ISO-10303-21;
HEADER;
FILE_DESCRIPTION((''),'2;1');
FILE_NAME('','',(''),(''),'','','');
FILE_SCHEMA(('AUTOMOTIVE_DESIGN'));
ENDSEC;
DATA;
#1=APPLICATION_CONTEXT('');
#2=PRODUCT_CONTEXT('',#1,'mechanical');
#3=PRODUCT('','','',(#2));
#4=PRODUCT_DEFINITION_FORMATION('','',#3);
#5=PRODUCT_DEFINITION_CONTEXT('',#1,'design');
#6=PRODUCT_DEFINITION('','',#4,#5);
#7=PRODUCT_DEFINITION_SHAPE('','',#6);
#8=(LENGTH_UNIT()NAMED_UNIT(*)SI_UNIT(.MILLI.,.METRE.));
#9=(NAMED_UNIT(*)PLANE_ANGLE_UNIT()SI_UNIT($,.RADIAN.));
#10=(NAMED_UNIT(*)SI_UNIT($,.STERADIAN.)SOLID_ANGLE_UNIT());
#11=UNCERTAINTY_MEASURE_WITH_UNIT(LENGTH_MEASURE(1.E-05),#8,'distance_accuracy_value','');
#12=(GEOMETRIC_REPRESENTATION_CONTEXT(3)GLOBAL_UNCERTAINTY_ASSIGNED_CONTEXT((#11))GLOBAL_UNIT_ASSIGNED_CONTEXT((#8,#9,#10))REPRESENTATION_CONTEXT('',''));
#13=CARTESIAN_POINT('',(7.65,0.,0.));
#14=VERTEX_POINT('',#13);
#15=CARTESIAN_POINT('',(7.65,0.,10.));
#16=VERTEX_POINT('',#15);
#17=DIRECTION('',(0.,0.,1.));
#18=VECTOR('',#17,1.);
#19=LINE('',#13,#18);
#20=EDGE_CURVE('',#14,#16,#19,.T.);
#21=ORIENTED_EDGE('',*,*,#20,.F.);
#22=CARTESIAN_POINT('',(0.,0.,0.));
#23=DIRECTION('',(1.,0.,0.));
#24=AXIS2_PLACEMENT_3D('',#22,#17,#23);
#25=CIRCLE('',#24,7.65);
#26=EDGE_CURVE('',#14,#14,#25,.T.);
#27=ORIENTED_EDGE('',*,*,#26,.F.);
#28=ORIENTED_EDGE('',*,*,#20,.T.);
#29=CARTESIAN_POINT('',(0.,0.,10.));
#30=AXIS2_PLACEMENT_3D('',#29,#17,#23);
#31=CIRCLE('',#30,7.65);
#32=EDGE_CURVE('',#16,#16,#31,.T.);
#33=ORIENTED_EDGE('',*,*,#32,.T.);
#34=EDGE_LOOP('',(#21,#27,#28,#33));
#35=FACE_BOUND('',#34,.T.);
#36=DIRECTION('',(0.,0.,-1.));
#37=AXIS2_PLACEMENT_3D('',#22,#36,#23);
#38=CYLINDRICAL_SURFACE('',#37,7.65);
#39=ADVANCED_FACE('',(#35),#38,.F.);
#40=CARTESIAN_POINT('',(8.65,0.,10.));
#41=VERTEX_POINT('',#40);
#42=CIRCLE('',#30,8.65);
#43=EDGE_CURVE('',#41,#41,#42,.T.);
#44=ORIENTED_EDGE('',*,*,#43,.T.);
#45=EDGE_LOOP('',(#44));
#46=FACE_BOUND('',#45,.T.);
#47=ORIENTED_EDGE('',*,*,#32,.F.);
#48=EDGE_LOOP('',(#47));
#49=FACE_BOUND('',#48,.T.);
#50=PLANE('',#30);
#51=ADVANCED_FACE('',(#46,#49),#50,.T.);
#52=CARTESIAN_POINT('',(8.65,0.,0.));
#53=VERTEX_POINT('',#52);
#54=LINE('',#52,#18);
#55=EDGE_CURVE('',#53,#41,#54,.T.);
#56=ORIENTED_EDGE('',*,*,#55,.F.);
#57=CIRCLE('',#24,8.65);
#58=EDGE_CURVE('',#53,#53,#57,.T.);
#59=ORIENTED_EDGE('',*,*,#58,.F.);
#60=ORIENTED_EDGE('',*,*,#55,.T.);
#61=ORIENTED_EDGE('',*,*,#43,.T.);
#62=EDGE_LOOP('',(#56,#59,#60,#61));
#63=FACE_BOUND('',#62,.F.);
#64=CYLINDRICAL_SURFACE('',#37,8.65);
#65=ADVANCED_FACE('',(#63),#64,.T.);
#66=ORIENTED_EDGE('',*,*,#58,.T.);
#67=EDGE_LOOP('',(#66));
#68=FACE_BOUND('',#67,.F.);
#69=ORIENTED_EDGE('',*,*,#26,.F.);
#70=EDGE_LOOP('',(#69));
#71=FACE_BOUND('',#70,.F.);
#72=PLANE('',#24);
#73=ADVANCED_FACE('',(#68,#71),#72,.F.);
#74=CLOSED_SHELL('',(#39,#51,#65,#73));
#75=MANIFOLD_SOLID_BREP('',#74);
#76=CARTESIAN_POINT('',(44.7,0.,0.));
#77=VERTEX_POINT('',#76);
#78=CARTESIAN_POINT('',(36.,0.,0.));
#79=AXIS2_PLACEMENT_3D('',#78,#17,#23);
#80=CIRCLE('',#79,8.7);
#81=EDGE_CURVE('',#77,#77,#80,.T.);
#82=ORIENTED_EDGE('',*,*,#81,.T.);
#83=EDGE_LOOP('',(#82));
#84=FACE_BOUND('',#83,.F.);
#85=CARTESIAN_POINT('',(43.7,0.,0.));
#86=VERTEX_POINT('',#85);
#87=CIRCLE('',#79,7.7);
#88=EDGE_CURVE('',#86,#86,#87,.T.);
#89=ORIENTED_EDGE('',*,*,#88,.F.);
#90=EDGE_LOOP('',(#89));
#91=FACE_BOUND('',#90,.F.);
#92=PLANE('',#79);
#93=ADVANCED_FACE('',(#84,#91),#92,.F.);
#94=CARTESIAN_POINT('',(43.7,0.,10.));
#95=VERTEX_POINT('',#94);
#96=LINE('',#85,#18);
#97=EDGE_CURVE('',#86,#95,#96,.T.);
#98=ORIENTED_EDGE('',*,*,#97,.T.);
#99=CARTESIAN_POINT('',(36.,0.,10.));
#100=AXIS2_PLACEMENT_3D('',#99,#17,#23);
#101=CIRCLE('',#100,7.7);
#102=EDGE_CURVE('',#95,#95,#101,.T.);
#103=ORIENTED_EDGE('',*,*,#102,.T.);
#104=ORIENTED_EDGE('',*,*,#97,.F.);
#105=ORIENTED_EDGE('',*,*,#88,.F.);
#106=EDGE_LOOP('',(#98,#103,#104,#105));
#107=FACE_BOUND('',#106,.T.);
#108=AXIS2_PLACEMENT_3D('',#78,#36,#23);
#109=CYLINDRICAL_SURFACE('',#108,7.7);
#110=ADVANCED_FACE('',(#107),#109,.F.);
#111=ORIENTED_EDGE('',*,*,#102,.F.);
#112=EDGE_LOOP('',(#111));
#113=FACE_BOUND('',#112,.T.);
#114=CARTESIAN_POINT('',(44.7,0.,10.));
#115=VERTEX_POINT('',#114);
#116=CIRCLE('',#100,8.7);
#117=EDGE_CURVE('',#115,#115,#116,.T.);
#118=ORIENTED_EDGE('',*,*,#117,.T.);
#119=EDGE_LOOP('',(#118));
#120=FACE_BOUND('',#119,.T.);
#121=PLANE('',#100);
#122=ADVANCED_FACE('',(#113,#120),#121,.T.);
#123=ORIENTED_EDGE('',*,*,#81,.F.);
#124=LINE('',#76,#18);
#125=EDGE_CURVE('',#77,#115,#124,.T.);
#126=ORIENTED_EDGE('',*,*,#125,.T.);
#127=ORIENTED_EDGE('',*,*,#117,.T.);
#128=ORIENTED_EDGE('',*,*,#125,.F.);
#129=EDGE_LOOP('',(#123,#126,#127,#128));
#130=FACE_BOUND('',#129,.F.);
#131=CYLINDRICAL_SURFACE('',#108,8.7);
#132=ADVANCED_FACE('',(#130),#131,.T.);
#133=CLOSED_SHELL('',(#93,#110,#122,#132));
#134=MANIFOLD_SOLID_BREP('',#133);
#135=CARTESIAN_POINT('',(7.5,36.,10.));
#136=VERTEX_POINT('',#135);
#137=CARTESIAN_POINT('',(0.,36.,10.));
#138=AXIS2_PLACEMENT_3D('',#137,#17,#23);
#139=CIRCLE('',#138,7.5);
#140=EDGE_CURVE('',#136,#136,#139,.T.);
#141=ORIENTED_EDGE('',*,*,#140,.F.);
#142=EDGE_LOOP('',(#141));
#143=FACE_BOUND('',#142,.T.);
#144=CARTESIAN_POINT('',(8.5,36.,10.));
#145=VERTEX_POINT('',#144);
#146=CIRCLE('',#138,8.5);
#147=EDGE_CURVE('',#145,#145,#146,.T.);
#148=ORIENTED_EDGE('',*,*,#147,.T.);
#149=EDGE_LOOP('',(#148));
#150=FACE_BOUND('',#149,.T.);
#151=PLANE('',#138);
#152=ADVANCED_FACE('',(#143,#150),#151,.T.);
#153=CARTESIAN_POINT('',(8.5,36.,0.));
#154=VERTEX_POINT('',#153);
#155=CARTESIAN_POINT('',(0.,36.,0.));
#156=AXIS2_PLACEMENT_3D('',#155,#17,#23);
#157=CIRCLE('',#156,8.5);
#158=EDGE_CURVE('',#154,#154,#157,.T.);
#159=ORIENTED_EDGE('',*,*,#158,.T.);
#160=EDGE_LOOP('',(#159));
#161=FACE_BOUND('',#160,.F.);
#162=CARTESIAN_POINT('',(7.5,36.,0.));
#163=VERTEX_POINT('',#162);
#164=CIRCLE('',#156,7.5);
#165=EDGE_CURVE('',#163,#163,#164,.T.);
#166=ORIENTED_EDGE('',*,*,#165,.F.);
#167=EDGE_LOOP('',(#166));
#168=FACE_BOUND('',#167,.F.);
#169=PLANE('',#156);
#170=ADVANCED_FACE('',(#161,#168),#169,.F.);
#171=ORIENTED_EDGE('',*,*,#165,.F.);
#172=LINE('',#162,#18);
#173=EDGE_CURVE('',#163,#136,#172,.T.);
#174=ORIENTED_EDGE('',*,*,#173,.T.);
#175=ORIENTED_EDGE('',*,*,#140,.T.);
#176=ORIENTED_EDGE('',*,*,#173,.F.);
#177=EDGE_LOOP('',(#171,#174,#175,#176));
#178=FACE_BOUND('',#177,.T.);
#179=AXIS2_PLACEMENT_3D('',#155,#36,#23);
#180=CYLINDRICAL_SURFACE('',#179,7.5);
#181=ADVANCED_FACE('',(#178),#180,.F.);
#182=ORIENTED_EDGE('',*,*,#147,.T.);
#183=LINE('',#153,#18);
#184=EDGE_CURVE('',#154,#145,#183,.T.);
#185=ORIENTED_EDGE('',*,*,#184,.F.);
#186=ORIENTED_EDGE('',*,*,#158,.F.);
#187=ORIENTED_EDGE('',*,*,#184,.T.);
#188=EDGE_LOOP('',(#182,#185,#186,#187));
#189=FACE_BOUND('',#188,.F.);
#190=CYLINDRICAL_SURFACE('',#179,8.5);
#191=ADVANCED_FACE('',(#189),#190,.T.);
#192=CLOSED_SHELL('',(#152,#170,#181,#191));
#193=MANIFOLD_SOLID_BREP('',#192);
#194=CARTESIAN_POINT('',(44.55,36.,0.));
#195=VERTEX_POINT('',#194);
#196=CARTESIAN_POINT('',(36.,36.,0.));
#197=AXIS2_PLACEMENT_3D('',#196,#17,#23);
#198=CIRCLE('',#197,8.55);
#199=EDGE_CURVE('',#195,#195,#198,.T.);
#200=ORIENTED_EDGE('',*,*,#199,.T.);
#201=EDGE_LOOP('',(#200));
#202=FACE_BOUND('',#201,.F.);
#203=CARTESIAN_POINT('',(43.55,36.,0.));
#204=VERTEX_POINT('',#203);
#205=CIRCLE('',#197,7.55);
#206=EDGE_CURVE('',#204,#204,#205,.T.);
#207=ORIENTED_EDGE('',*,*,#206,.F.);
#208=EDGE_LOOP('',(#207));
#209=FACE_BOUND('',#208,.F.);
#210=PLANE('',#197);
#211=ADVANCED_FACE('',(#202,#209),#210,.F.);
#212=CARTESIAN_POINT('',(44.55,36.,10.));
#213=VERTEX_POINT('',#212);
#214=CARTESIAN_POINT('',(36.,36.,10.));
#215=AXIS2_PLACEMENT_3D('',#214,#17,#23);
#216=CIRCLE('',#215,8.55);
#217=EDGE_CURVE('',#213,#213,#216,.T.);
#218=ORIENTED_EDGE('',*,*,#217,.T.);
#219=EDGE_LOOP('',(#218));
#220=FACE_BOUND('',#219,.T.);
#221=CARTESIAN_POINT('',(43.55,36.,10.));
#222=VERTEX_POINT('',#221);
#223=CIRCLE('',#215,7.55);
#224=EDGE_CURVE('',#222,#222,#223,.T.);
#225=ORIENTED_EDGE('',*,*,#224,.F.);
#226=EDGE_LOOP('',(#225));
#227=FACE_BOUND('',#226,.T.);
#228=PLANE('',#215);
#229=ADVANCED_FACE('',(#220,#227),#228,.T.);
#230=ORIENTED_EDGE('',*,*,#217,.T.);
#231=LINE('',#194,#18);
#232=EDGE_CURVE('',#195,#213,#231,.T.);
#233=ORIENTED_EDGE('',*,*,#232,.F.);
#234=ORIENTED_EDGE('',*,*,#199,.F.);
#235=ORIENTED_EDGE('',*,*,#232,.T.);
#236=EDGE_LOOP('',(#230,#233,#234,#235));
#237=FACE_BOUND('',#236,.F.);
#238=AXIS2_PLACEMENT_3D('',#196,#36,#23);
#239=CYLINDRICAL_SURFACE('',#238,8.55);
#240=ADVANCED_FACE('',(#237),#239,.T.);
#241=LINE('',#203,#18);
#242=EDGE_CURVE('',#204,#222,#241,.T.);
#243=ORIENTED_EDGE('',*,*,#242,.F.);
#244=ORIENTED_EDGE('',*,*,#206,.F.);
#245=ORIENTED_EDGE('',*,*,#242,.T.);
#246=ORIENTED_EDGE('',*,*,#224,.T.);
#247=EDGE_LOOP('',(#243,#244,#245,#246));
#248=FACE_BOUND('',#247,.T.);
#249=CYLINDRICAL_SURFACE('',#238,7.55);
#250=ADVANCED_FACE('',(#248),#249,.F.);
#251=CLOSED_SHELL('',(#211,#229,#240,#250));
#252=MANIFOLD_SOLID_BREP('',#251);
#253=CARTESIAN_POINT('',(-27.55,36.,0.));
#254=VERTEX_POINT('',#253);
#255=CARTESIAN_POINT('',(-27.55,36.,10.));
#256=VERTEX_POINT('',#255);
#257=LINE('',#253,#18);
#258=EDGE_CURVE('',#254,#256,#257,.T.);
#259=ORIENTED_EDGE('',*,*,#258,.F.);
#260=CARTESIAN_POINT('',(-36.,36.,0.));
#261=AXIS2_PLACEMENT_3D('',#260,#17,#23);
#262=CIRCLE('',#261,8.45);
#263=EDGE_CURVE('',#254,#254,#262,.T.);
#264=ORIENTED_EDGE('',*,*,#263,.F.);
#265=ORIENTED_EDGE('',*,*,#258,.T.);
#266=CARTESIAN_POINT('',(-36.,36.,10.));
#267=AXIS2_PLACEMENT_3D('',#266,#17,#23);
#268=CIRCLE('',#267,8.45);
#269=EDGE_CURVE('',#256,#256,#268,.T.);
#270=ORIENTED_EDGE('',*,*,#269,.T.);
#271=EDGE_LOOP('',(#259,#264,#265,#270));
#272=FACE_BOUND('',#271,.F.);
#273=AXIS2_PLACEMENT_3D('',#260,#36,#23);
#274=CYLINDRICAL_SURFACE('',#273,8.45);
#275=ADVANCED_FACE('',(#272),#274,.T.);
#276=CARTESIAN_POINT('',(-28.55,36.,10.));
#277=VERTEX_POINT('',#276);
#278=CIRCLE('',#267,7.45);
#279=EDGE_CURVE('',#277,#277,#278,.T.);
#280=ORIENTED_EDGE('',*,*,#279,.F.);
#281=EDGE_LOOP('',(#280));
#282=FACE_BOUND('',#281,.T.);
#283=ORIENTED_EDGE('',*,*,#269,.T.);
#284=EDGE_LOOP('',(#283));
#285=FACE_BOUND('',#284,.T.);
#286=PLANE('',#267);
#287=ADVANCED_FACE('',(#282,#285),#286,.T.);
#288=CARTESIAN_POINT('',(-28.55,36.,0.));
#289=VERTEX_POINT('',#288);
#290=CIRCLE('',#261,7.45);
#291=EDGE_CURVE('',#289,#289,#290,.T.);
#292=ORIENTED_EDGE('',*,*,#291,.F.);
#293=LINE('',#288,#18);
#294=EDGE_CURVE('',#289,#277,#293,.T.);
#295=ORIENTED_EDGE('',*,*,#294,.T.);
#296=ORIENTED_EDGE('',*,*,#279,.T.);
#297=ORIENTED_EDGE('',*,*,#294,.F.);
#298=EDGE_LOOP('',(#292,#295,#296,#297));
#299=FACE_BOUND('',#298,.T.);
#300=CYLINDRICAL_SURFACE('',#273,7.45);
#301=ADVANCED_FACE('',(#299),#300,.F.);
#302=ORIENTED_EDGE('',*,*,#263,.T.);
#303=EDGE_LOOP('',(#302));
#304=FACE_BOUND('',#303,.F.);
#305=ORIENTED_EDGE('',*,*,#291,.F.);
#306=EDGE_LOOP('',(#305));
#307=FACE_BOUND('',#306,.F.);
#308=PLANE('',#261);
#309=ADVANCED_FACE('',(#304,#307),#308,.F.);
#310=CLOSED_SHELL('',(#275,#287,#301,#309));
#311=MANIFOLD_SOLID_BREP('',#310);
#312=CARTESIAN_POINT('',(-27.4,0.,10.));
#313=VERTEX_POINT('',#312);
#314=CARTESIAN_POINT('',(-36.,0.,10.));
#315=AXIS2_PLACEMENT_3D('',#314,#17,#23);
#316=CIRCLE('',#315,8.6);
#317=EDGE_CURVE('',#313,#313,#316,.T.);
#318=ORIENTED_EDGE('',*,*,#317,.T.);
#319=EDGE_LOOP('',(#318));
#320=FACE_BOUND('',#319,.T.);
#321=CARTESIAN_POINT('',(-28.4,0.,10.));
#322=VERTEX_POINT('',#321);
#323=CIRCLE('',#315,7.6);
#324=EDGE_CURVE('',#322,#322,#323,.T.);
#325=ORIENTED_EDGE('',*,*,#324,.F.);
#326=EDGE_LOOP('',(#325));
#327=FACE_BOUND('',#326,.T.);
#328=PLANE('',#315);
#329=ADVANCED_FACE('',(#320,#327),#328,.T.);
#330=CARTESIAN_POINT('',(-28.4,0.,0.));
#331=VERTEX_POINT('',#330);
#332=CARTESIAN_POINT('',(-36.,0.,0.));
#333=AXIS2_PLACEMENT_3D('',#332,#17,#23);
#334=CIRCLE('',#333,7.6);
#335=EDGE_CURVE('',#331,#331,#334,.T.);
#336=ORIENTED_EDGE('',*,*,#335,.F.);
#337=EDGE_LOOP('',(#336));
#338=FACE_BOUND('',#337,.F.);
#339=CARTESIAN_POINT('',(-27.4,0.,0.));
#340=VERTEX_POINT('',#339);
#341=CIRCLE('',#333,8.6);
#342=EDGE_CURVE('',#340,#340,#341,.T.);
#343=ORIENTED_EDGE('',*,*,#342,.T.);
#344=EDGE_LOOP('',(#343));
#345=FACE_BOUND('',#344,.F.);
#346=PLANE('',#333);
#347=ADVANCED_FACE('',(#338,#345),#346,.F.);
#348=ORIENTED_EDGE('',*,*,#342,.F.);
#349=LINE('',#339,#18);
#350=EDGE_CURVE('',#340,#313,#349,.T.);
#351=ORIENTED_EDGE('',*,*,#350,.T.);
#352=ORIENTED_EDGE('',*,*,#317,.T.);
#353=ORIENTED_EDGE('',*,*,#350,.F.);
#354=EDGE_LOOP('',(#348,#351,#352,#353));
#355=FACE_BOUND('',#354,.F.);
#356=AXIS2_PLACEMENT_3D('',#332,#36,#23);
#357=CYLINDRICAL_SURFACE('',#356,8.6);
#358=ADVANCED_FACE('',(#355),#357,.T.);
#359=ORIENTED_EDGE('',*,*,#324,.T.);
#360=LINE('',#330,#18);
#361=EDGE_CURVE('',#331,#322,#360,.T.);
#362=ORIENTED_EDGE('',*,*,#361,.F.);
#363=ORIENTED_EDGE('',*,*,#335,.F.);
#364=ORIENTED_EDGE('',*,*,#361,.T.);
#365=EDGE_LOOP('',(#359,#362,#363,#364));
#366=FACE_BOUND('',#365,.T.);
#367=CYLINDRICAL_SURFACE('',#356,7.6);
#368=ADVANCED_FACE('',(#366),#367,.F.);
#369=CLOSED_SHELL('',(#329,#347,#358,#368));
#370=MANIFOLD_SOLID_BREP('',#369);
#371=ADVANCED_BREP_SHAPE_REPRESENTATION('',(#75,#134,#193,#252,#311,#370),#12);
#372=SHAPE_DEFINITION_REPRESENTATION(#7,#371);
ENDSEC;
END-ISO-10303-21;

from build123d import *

# Parameters (mm, degrees)
F0_R     = 8.45
F0_R_2   = 7.45
F0_R_3   = 8.5
F0_R_4   = 7.5
F0_R_5   = 8.55
F0_R_6   = 7.55
F0_R_7   = 8.6
F0_R_8   = 7.6
F0_R_9   = 8.65
F0_R_10  = 7.65
F0_R_11  = 8.7
F0_R_12  = 7.7
F1_DEPTH = 10


with BuildPart() as f1:
    # F0 (on Top) → F1 (new body)
    with BuildSketch(Plane.XY):
        with Locations((-36, 36)):
            Circle(F0_R)
        with Locations((-36, 36)):
            Circle(F0_R_2, mode=Mode.SUBTRACT)
        with Locations((0, 36)):
            Circle(F0_R_3)
        with Locations((0, 36)):
            Circle(F0_R_4, mode=Mode.SUBTRACT)
        with Locations((36, 36)):
            Circle(F0_R_5)
        with Locations((36, 36)):
            Circle(F0_R_6, mode=Mode.SUBTRACT)
        with Locations((-36, 0)):
            Circle(F0_R_7)
        with Locations((-36, 0)):
            Circle(F0_R_8, mode=Mode.SUBTRACT)
        Circle(F0_R_9)
        Circle(F0_R_10, mode=Mode.SUBTRACT)
        with Locations((36, 0)):
            Circle(F0_R_11)
        with Locations((36, 0)):
            Circle(F0_R_12, mode=Mode.SUBTRACT)
    extrude(amount=F1_DEPTH)


solid = f1.part
